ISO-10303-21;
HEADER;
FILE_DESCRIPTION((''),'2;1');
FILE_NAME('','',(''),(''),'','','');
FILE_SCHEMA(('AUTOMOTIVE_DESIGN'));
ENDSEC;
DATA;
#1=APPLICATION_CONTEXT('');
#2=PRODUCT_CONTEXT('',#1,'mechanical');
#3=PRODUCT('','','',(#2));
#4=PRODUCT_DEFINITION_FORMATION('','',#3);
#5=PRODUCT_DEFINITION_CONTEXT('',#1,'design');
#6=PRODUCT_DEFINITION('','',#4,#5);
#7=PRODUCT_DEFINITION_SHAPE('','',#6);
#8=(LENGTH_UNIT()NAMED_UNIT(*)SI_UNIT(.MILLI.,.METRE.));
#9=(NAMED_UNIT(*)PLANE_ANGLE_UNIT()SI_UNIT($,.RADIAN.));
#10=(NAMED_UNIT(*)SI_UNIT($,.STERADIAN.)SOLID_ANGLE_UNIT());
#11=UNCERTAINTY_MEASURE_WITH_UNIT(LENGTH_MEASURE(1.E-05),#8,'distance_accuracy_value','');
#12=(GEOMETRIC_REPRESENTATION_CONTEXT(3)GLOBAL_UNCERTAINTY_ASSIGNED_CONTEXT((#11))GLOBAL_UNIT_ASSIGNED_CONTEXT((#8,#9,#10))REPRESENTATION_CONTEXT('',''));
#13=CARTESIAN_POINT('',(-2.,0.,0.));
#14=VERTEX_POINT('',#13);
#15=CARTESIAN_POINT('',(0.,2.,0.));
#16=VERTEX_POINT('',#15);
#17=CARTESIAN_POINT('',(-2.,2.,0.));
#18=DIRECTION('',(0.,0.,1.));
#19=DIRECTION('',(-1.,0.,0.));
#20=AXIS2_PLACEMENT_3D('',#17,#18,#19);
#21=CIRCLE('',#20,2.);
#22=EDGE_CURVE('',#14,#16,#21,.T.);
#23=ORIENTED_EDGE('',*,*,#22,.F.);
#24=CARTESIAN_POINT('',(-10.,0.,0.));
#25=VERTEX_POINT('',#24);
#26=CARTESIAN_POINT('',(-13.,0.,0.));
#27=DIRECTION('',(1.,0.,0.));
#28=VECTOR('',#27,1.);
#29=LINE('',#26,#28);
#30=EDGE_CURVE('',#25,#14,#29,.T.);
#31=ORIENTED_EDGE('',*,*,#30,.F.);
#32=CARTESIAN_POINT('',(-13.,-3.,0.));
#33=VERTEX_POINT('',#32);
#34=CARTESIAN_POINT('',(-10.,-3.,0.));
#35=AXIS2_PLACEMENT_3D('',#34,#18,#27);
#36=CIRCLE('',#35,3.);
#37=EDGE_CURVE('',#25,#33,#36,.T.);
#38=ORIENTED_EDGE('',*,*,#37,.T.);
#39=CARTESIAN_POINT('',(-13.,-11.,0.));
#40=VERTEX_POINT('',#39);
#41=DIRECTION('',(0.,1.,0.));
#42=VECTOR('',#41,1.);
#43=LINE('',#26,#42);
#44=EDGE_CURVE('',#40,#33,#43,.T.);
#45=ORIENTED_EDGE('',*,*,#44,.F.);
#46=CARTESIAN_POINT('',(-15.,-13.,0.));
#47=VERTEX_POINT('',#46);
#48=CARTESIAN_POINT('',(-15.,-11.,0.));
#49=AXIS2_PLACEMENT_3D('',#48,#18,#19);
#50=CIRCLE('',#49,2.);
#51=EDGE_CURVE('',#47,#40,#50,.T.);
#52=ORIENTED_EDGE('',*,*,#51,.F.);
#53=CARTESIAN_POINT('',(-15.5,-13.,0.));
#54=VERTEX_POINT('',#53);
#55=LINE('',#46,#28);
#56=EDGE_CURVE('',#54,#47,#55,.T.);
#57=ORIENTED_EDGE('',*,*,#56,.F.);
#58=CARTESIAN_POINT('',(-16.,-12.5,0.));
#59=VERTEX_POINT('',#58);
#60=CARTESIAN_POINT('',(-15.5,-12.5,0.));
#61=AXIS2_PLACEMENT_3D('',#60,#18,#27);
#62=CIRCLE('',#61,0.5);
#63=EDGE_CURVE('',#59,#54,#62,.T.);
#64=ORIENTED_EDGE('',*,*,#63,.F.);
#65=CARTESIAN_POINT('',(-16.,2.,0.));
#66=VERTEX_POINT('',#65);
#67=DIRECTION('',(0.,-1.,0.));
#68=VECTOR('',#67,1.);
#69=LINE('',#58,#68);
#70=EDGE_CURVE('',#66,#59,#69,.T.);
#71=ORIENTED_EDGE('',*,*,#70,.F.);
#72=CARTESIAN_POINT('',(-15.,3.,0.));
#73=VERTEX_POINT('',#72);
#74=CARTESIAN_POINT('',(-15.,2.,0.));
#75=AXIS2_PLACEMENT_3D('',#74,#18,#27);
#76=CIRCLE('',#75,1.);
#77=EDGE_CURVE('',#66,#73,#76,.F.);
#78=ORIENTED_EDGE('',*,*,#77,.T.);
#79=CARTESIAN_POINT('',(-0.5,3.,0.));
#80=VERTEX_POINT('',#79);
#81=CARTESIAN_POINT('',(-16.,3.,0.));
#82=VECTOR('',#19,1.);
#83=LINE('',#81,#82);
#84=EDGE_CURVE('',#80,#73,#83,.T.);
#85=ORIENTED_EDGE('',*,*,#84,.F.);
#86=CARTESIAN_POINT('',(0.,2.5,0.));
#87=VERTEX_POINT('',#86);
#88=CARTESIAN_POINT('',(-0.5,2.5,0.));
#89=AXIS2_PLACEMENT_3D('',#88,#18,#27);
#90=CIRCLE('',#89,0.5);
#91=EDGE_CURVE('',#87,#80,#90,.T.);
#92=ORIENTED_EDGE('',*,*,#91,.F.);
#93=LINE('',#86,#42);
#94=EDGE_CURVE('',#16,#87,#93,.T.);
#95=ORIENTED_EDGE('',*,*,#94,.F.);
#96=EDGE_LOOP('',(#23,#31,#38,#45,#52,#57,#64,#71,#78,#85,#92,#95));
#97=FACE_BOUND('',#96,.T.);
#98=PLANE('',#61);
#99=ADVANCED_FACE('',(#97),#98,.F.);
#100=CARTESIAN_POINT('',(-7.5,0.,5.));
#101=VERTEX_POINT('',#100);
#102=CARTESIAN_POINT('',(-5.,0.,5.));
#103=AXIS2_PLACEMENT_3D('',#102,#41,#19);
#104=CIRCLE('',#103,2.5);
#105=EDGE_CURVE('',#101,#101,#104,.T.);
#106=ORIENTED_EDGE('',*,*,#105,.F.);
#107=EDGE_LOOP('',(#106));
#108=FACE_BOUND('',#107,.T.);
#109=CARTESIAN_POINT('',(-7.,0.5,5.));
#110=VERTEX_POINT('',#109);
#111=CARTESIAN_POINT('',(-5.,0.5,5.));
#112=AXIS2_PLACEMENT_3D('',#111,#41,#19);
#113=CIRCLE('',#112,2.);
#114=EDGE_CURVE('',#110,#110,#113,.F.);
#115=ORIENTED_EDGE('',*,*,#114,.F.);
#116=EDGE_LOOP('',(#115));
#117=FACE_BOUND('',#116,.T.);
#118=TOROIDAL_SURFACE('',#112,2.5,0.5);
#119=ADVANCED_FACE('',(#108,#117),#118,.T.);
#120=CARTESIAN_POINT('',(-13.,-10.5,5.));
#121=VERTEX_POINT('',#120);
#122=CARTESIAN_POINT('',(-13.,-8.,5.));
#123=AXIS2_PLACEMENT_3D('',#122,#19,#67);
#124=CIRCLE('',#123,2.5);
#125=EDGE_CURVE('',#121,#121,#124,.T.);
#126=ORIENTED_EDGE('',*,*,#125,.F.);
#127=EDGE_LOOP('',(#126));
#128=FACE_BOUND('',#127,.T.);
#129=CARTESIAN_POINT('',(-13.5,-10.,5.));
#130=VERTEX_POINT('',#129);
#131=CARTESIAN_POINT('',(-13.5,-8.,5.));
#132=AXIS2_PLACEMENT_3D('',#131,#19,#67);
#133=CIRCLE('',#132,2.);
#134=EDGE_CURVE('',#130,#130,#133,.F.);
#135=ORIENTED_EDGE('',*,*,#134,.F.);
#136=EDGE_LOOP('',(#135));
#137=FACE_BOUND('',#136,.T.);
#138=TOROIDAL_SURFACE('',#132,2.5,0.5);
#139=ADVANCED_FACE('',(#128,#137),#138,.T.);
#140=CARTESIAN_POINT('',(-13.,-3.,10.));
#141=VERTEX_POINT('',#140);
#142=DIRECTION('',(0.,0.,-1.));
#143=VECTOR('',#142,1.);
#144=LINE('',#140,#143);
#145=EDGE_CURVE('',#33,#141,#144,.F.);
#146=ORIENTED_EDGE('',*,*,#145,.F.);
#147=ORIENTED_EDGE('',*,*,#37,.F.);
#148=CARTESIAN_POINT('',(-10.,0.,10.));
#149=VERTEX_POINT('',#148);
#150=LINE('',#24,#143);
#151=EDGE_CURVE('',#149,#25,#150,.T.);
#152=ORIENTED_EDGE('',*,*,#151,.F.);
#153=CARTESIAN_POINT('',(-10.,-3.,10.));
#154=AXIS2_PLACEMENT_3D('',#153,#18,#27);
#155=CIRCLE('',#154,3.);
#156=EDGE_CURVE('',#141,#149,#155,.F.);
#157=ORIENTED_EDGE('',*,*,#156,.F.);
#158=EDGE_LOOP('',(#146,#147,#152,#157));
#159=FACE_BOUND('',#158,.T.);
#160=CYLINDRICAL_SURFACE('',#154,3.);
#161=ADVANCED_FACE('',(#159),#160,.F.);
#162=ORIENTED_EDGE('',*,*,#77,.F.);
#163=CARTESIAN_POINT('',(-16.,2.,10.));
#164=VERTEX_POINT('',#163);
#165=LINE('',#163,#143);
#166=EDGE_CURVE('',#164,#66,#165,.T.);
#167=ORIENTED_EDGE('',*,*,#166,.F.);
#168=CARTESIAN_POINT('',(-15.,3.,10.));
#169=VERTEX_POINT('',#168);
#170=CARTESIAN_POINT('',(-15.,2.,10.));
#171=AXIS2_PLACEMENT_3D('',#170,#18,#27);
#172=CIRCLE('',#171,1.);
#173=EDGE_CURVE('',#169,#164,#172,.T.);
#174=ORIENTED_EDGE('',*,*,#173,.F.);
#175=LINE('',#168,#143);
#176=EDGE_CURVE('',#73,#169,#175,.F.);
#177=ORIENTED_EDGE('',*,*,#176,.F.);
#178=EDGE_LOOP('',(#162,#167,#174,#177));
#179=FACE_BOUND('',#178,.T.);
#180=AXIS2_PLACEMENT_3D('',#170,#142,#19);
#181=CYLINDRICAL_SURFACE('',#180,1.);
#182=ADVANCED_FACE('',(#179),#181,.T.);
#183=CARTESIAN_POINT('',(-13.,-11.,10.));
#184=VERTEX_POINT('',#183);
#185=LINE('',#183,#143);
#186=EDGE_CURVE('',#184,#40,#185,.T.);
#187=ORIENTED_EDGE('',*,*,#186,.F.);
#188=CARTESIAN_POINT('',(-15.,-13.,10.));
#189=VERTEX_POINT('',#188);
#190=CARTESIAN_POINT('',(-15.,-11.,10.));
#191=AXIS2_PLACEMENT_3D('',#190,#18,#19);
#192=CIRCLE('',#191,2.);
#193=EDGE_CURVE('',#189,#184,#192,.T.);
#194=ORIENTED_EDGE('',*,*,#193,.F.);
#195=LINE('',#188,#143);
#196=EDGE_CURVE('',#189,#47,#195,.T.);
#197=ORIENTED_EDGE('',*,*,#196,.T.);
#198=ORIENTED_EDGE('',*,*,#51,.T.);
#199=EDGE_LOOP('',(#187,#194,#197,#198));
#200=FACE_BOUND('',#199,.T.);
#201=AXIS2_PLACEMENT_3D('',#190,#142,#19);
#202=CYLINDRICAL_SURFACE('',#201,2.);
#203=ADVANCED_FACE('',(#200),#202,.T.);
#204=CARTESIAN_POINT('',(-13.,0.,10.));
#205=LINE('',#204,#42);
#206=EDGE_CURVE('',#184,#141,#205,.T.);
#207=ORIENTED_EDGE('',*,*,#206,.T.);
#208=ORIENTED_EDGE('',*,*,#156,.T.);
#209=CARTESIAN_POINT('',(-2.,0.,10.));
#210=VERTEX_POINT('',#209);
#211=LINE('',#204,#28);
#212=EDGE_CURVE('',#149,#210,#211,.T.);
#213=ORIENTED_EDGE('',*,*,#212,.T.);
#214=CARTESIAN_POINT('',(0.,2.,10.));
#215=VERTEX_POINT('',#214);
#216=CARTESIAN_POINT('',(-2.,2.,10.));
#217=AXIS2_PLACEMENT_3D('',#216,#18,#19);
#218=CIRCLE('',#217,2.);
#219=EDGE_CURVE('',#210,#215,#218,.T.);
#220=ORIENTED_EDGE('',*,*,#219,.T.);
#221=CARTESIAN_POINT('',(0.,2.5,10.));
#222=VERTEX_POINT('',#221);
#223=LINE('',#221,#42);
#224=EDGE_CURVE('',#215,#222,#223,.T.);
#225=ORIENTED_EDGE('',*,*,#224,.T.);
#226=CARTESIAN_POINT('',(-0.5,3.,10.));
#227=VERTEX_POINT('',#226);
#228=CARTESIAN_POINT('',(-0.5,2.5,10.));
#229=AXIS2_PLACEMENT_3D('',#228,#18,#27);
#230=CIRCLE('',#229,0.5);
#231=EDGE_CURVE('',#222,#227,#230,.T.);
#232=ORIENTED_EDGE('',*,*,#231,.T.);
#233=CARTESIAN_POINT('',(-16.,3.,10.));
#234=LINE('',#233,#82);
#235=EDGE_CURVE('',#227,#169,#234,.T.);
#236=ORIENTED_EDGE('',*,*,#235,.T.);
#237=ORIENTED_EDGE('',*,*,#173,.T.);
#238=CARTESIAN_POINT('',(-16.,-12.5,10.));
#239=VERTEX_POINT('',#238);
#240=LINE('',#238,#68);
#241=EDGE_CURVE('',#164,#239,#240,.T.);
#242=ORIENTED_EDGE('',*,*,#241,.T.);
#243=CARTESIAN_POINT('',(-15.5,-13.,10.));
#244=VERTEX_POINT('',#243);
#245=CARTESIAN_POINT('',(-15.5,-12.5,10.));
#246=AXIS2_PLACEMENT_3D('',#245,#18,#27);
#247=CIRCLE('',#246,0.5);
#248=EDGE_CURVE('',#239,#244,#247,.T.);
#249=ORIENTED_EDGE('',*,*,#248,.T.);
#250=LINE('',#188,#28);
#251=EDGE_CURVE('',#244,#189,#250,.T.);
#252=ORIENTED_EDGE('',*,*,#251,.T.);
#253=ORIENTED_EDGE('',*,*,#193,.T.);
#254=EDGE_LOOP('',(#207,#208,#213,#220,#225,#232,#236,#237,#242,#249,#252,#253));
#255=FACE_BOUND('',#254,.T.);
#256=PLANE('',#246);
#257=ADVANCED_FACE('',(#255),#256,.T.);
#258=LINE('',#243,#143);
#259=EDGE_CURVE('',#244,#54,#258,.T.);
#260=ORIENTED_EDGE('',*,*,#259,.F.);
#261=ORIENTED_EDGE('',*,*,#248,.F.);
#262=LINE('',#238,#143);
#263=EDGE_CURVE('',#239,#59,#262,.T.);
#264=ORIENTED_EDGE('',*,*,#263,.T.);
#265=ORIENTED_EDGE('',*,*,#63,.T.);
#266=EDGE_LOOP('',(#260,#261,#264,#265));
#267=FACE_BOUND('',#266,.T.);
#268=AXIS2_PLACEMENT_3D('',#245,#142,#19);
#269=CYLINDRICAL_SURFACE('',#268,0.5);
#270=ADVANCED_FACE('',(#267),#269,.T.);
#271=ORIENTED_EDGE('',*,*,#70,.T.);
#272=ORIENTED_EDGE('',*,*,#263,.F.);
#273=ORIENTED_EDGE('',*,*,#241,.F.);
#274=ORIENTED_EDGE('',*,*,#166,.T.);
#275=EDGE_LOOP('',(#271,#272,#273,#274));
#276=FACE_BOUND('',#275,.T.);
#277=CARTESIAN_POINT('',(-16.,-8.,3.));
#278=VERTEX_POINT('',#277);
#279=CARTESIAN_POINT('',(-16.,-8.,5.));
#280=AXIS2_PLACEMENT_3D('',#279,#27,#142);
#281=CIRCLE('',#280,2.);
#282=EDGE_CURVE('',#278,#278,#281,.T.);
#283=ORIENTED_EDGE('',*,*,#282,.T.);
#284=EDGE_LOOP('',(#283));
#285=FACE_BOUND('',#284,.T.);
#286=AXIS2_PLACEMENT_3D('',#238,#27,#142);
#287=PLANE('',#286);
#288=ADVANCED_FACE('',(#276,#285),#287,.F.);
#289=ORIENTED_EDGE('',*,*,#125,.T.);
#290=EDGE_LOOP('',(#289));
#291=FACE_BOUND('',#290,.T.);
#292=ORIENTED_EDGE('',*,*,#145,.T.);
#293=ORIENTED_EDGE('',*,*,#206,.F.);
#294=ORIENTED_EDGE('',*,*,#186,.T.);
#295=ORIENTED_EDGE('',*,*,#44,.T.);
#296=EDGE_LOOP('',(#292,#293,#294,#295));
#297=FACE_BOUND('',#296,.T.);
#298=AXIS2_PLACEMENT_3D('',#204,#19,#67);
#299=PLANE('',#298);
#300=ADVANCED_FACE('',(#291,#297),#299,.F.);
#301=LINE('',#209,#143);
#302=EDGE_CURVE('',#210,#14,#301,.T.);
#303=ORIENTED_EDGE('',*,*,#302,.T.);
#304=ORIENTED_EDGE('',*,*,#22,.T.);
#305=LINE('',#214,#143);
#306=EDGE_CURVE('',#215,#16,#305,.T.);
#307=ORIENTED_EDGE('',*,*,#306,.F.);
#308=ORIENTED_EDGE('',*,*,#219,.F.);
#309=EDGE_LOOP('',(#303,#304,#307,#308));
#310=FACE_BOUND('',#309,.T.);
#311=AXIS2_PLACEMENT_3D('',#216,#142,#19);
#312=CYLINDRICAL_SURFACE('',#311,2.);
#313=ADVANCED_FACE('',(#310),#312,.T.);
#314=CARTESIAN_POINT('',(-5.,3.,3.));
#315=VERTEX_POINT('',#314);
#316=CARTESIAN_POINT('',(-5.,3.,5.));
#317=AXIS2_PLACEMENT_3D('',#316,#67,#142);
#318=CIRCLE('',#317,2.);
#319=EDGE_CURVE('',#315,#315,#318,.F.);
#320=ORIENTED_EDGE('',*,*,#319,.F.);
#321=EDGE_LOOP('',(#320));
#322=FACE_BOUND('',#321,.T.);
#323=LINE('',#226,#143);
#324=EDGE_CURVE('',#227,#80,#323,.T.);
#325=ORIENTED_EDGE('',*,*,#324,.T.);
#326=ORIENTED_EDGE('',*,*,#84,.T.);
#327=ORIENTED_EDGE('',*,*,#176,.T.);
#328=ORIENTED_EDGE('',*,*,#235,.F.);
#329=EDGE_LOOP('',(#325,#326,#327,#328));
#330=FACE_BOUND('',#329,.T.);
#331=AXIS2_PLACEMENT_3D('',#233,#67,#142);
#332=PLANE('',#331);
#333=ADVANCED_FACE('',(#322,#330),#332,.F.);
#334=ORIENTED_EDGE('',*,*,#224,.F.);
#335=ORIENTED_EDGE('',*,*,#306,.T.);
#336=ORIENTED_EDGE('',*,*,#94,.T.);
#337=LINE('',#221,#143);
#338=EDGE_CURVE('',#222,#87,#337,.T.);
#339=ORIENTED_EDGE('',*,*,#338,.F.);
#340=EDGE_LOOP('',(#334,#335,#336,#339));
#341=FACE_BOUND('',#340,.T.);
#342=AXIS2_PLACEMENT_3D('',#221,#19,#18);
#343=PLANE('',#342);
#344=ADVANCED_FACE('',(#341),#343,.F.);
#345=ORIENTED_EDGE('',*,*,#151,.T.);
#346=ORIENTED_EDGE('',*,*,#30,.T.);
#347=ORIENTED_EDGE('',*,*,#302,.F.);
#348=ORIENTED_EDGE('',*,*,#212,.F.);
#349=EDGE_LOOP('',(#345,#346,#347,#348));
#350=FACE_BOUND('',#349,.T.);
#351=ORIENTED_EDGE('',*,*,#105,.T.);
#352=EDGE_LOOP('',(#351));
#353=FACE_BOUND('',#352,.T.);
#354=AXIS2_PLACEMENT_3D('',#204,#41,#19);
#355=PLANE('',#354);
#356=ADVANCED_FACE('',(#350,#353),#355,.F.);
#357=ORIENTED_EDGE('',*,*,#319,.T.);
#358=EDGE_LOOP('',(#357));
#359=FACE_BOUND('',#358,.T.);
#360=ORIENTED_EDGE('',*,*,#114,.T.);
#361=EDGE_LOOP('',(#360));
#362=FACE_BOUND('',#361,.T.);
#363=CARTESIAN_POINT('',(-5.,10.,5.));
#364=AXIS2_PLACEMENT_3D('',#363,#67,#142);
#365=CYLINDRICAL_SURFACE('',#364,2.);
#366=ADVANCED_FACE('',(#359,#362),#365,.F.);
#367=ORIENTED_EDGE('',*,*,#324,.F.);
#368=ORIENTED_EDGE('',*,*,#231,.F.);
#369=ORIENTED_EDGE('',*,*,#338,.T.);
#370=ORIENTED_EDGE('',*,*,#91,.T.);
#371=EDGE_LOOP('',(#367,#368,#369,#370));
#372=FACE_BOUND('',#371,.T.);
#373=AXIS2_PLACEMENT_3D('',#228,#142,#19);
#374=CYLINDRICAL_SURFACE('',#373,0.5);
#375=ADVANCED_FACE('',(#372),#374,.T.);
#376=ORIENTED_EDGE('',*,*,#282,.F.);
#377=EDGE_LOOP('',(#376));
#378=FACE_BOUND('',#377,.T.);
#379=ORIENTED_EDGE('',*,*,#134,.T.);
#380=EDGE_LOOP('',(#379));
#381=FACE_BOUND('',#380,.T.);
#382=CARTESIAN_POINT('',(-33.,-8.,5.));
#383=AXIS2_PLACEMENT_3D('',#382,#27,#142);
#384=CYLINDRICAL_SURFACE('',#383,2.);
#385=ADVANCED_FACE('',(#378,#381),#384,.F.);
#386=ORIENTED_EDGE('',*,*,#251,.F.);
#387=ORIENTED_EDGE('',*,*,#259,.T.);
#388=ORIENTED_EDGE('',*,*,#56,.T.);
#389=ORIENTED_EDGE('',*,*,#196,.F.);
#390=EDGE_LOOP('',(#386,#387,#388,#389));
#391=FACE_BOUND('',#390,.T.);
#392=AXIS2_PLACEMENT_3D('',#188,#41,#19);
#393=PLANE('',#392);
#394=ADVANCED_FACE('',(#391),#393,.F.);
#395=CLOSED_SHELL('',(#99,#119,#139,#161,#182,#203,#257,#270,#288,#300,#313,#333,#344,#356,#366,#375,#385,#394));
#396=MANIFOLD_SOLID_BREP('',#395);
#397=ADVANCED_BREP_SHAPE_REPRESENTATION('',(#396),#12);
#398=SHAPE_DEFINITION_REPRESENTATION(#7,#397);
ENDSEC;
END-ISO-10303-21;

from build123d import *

# Parameters (mm, degrees)
EXTRUDE_1_DEPTH     = 10
SKETCH_4_R          = 2
CUT_EXTRUDE_1_DEPTH = 10
SKETCH_2_R          = 2
CUT_EXTRUDE_2_DEPTH = 20
FILLET_2_R          = 0.5
FILLET_3_R          = 3
FILLET_4_R          = 1


with BuildPart() as part:
    # 草图1 → 凸台-拉伸1 (new body)
    with BuildSketch(Plane.XY):
        with BuildLine():
            Line((-13, 0), (-13, -11))
            ThreePointArc((-13, -11), (-13.585786438, -12.414213562), (-15, -13))
            Line((-15, -13), (-15.5, -13))
            ThreePointArc((-15.5, -13), (-15.853553391, -12.853553391), (-16, -12.5))
            Line((-16, -12.5), (-16, 3))
            Line((-16, 3), (-0.5, 3))
            ThreePointArc((-0.5, 3), (-0.146446609, 2.853553391), (0, 2.5))
            Line((0, 2.5), (0, 2))
            ThreePointArc((0, 2), (-0.585786438, 0.585786438), (-2, 0))
            Line((-2, 0), (-13, 0))
        make_face()
    extrude(amount=EXTRUDE_1_DEPTH)

    # 草图4 → 切除-拉伸1 (cut)
    with BuildSketch(Plane(origin=(0, 0, 0), x_dir=(1, 0, 0), z_dir=(0, 1, 0))):
        with Locations((-5, -5)):
            Circle(SKETCH_4_R)
    extrude(amount=CUT_EXTRUDE_1_DEPTH, mode=Mode.SUBTRACT)

    # 草图2 → 切除-拉伸2 (cut)
    with BuildSketch(Plane(origin=(-13, 0, 0), x_dir=(0, 0, -1), z_dir=(1, 0, 0))):
        with Locations((-5, -8)):
            Circle(SKETCH_2_R)
    extrude(amount=-CUT_EXTRUDE_2_DEPTH, mode=Mode.SUBTRACT)

    # 圆角2
    fillet_2_edges = [part.edges().sort_by_distance(p)[0] for p in [
        (-7, 0, 5),
        (-13, -8, 7),
    ]]
    fillet(fillet_2_edges, radius=FILLET_2_R)

    # 圆角3
    fillet_3_edges = [part.edges().sort_by_distance(p)[0] for p in [
        (-13, 0, 5),
    ]]
    fillet(fillet_3_edges, radius=FILLET_3_R)

    # 圆角4
    fillet_4_edges = [part.edges().sort_by_distance(p)[0] for p in [
        (-16, 3, 5),
    ]]
    fillet(fillet_4_edges, radius=FILLET_4_R)


solid = part.part
